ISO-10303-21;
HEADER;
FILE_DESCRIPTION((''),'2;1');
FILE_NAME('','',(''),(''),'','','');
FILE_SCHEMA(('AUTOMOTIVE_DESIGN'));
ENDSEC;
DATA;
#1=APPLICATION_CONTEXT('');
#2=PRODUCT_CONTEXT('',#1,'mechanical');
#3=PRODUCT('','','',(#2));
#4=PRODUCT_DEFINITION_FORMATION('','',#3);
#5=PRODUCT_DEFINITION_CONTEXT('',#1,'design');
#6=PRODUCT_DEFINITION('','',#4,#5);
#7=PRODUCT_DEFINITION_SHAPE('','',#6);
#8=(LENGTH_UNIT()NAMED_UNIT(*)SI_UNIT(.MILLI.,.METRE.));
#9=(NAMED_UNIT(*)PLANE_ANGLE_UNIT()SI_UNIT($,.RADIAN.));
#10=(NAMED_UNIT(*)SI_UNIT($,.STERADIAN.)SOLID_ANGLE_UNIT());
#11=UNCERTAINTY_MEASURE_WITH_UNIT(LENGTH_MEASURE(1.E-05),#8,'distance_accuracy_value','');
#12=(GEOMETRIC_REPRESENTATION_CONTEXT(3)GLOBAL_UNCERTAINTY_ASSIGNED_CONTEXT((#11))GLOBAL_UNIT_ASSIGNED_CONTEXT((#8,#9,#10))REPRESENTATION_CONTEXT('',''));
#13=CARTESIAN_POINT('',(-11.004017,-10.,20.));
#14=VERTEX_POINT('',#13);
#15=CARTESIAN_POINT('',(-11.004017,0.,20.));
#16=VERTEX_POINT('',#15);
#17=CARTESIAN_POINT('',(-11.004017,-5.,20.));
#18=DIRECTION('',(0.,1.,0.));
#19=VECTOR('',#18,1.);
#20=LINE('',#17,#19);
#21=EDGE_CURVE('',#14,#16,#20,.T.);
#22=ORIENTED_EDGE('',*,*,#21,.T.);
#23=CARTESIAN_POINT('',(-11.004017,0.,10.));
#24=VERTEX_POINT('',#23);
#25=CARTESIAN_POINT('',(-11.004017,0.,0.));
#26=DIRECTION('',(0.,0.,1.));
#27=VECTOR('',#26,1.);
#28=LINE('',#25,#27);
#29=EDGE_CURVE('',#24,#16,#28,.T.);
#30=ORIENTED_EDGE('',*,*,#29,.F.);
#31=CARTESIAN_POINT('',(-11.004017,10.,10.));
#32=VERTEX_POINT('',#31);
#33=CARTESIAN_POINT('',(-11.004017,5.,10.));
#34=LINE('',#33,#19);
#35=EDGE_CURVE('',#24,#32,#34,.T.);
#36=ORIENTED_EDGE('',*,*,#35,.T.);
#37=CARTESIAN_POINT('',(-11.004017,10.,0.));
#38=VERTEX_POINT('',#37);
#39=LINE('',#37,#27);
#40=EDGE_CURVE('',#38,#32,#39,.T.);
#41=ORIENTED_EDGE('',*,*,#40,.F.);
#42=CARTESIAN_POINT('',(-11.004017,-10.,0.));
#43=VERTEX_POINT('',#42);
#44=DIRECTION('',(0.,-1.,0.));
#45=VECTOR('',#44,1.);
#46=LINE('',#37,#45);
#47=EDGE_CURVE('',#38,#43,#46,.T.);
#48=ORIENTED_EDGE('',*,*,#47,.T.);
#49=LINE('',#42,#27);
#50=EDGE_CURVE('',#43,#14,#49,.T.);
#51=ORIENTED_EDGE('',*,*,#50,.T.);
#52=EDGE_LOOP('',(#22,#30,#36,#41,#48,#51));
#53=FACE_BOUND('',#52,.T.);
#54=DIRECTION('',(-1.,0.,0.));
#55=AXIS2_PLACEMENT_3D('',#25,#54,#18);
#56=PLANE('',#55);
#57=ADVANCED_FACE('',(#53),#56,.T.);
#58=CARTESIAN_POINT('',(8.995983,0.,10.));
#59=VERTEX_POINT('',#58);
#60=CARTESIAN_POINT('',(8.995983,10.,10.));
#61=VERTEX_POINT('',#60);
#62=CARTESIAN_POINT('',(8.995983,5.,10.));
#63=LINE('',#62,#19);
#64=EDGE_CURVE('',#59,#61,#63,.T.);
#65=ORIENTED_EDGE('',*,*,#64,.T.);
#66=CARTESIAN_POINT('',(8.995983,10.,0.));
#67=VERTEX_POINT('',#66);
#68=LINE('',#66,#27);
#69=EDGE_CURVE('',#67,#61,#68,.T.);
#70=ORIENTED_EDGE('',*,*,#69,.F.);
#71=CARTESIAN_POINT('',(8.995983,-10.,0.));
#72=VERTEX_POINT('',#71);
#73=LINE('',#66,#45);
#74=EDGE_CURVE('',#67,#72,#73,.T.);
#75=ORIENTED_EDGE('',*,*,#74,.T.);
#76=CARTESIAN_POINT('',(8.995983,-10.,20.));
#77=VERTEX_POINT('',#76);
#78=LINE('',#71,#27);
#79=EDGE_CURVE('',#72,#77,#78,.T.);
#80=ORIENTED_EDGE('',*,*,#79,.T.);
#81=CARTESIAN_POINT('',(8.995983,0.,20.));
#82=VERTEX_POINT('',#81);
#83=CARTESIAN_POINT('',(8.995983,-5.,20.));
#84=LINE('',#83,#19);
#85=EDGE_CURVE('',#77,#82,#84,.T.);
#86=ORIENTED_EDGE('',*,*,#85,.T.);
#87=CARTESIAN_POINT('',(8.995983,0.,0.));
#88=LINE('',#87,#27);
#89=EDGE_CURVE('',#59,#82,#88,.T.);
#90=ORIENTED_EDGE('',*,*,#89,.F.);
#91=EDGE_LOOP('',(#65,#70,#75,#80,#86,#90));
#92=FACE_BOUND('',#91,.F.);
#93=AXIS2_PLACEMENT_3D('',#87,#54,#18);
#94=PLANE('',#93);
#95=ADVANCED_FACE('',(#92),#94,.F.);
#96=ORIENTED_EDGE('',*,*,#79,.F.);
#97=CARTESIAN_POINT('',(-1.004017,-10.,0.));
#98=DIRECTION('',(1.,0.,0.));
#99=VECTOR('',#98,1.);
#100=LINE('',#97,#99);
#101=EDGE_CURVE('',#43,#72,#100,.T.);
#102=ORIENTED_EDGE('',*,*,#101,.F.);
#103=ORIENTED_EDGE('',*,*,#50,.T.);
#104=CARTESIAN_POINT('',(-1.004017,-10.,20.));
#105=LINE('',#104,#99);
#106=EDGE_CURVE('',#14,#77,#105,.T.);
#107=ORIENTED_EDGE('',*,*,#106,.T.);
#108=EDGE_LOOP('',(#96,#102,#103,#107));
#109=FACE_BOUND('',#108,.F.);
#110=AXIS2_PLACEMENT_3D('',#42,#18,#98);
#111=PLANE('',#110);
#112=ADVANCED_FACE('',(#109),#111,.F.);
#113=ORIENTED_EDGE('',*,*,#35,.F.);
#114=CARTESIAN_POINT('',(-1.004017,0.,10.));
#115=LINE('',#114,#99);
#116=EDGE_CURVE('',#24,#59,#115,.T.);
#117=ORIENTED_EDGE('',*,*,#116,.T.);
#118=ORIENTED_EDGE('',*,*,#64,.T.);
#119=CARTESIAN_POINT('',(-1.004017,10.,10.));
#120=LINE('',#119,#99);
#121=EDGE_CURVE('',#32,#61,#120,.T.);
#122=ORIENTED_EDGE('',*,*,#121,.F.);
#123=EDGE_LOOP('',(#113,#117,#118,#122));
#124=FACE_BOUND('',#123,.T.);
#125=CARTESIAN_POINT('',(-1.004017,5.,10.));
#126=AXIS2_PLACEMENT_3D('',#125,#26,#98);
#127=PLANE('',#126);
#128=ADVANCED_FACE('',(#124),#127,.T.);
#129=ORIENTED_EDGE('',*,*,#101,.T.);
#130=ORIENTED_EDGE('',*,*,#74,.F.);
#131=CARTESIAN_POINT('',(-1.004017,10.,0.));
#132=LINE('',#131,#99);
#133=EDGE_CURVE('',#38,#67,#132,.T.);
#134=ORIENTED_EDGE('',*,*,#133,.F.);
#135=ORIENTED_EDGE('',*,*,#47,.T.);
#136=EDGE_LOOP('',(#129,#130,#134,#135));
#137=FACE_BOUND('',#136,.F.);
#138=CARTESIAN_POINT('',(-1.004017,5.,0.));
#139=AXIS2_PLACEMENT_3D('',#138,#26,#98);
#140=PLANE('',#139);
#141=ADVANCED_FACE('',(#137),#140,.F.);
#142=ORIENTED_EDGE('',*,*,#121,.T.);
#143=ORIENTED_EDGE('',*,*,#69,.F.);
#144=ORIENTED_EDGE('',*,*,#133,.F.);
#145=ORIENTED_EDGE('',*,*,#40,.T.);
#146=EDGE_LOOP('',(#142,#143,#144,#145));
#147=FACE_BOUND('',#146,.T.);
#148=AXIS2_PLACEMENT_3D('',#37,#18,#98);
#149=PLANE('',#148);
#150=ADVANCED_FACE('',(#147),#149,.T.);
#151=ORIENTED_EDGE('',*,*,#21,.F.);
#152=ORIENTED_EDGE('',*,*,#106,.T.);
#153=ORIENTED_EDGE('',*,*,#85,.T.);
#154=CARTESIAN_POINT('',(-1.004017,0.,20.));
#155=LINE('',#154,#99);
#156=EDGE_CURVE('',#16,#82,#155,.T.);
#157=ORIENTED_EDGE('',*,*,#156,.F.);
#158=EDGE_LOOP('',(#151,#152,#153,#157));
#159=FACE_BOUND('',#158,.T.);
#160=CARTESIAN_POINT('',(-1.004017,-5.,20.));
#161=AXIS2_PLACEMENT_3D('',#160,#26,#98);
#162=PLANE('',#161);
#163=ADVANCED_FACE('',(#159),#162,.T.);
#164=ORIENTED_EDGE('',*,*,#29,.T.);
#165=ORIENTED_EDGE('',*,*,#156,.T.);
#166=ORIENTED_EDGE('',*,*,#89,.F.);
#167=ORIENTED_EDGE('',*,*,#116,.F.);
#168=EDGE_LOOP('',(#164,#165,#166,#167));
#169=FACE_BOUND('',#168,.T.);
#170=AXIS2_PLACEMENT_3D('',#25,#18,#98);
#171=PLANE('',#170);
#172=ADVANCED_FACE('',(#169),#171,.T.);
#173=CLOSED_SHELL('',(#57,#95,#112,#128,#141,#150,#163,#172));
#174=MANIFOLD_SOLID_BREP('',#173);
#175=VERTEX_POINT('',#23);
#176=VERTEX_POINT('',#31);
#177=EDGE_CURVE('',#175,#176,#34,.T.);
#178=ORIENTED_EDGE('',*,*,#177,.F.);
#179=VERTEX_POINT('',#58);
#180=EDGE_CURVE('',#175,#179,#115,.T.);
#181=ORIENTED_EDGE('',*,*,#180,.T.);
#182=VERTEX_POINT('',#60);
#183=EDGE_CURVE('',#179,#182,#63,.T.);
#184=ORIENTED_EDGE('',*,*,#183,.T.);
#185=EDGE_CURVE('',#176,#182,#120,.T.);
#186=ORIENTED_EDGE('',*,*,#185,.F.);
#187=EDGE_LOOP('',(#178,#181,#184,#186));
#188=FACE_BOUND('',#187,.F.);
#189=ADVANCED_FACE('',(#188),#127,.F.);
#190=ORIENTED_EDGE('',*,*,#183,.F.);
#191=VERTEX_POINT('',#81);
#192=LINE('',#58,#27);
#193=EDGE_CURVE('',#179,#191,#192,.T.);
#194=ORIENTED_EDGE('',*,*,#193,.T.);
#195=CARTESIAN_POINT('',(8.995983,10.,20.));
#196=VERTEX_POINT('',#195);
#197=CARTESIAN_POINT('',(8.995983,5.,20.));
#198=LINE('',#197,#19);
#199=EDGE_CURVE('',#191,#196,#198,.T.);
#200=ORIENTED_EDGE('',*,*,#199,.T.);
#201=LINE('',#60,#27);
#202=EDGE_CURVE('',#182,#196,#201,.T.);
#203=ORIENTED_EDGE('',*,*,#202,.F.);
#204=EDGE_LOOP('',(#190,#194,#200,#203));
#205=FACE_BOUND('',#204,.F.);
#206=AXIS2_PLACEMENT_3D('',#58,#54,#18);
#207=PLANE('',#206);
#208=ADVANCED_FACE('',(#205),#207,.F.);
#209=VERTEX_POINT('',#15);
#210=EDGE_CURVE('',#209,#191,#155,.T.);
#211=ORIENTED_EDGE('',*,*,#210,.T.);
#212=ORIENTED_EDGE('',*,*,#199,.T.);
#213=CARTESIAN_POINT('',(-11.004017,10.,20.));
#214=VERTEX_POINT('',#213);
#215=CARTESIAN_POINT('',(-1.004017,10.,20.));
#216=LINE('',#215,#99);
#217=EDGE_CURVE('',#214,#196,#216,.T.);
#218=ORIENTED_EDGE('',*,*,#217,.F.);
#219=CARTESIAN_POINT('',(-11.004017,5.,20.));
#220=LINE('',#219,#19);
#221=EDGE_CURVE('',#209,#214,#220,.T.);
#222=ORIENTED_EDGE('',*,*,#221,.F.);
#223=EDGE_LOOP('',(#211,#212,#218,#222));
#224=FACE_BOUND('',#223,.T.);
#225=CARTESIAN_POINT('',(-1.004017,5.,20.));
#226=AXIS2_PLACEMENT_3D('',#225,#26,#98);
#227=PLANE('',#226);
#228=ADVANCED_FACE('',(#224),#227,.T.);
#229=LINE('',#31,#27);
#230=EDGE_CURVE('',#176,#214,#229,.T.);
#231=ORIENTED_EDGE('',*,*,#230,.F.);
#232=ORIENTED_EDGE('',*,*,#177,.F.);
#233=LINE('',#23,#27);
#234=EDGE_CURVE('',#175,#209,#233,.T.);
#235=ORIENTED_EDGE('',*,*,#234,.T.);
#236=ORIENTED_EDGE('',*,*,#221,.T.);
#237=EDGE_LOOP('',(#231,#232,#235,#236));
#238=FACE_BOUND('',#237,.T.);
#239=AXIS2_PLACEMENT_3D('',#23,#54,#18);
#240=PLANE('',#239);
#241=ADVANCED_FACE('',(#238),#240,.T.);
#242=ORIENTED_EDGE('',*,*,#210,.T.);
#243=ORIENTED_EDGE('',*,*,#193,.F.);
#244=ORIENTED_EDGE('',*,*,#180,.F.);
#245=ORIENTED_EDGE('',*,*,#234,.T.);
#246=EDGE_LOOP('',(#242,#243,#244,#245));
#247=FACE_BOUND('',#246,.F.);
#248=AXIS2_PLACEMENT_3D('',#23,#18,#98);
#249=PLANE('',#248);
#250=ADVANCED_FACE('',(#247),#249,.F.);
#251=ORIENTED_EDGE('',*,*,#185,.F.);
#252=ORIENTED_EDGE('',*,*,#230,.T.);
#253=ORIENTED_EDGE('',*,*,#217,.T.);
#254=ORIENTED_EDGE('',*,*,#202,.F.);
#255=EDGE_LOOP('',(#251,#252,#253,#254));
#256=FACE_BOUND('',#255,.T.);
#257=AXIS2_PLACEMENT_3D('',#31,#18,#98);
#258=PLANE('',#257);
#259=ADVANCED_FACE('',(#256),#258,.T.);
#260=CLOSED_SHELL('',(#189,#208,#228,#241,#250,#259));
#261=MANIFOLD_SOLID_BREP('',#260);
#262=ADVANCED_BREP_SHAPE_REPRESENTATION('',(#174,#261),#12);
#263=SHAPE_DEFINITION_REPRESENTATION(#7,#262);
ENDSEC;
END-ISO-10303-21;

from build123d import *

# Parameters (mm, degrees)
F0_W      = 20
F0_H      = 10
F1_DEPTH  = 20
F2_DEPTH  = 10
F2_FACE_W = 20
F2_FACE_H = 10
F3_DEPTH  = 10


with BuildPart() as f1:
    # F0 (on Top) → F1 (new body)
    with BuildSketch(Plane.XY):
        with Locations((-1.004017, -5)):
            Rectangle(F0_W, F0_H)
    extrude(amount=F1_DEPTH)

    # F0 (on Top) → F2 (join)
    with BuildSketch(Plane.XY):
        with Locations((-1.004017, 5)):
            Rectangle(F0_W, F0_H)
    extrude(amount=F2_DEPTH)


with BuildPart() as f3:
    # F2_face (on face) → F3 (new body)
    with BuildSketch(Plane(origin=(-1.004017, 5, 10), x_dir=(1, 0, 0), z_dir=(0, 0, 1))):
        Rectangle(F2_FACE_W, F2_FACE_H)
    extrude(amount=F3_DEPTH)


solid = Compound([f1.part, f3.part])
